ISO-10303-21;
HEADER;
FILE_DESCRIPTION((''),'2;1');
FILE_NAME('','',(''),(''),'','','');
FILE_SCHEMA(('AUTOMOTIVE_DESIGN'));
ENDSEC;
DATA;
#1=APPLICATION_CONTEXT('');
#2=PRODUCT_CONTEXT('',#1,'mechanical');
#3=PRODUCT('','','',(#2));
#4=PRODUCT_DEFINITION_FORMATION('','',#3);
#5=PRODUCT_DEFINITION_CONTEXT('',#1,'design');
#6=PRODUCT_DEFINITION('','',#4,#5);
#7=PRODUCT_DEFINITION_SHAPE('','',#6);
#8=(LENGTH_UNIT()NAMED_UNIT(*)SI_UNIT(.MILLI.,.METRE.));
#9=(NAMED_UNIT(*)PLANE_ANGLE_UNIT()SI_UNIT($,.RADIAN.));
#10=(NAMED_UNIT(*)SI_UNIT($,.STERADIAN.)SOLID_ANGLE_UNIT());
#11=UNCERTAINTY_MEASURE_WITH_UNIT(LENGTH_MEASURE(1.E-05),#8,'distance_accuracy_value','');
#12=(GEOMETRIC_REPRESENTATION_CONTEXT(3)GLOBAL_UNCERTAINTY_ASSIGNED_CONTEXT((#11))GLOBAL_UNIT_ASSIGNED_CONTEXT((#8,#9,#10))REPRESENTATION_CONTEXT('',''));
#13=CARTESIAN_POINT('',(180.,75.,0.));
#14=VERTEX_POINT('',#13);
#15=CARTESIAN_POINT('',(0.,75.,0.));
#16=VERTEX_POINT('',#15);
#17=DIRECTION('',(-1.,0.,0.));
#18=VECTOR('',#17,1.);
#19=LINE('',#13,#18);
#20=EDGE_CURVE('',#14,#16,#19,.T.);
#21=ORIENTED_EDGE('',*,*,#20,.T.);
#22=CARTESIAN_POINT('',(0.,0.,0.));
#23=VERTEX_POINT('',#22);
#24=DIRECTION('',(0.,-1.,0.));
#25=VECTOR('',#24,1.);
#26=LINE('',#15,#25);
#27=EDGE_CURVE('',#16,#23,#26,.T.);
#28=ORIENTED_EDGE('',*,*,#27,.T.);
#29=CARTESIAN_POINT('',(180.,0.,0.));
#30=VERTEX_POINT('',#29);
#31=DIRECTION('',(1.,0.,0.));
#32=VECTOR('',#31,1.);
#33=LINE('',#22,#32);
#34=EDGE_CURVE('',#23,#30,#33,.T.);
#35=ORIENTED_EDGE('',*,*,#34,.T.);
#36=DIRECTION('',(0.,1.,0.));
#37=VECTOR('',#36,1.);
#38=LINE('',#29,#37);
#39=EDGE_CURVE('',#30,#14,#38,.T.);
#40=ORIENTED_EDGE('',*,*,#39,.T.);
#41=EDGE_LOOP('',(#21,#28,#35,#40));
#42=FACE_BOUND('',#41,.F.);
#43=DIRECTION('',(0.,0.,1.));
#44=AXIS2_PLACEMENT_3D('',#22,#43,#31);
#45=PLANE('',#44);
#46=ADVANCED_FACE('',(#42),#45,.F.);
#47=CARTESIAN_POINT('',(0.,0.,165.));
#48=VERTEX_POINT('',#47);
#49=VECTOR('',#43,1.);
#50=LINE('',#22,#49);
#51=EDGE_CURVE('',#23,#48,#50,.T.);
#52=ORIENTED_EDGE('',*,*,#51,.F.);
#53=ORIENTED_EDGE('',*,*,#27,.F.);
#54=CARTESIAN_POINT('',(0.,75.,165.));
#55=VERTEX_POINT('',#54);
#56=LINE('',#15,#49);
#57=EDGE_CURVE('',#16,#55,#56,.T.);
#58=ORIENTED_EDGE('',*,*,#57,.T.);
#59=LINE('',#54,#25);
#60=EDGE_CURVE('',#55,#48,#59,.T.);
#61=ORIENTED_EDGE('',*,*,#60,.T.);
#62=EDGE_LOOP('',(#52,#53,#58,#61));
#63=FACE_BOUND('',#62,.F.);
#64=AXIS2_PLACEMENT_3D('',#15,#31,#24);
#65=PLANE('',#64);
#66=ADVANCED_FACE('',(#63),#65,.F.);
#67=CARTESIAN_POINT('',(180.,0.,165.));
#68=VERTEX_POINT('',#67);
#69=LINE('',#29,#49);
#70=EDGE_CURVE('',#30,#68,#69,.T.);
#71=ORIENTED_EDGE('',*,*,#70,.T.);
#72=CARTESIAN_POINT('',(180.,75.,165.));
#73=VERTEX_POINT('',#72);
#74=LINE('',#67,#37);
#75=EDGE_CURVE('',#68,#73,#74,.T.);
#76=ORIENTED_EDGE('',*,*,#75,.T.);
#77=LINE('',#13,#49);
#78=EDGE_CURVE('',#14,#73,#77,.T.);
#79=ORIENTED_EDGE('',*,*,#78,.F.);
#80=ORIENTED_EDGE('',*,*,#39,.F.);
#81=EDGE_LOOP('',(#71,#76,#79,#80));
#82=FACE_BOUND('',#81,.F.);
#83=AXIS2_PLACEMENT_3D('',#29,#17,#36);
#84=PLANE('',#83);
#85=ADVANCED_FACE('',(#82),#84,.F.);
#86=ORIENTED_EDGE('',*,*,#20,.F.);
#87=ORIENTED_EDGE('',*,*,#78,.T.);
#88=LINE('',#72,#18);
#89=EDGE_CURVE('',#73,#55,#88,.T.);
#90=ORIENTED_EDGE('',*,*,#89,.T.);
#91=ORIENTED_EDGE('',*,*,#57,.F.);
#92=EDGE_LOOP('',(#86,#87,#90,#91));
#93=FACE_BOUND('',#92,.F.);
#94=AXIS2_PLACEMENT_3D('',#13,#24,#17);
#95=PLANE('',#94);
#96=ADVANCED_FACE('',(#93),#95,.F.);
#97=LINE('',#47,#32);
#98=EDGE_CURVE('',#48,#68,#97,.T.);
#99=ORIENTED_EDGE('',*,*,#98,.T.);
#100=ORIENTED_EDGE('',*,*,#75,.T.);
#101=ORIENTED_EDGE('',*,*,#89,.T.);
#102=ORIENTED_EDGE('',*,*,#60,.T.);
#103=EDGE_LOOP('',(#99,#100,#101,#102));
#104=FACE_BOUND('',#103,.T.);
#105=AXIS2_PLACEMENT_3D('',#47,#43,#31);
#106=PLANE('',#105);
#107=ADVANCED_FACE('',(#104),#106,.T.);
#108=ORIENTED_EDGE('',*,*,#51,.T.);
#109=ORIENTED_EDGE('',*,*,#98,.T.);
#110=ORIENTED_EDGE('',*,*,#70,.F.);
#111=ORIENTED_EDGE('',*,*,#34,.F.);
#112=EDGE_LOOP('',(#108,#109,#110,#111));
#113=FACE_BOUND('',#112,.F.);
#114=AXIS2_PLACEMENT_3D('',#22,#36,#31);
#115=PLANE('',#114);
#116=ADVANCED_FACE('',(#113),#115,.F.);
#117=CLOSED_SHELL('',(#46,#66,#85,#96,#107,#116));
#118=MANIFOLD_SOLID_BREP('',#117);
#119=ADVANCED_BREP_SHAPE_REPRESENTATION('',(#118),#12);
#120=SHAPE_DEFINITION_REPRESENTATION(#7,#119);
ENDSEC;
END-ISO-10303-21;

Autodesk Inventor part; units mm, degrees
ref_plane "YZ Plane" through (0, 0, 0) normal (1, 0, 0) x (0, 1, 0)
ref_plane "XZ Plane" through (0, 0, 0) normal (0, 1, 0) x (-1, 0, 0)
ref_plane "XY Plane" through (0, 0, 0) normal (0, 0, 1) x (1, 0, 0)
sketch "Sketch1" plane through (0, 0, 0) normal (0, 0, 1) x (1, 0, 0)
  line L0 (0, 0) -> (180, 0)
  line L1 (180, 0) -> (180, 75)
  line L2 (180, 75) -> (0, 75)
  line L3 (0, 75) -> (0, 0)
  dimension "d0" = 180
  dimension "d1" = 75
extrude "Extrusion1" add sketch "Sketch1" along normal blind 165
properties part number "ExpertPower EXP12180 Battery" material "PC/ABS Plastic"
